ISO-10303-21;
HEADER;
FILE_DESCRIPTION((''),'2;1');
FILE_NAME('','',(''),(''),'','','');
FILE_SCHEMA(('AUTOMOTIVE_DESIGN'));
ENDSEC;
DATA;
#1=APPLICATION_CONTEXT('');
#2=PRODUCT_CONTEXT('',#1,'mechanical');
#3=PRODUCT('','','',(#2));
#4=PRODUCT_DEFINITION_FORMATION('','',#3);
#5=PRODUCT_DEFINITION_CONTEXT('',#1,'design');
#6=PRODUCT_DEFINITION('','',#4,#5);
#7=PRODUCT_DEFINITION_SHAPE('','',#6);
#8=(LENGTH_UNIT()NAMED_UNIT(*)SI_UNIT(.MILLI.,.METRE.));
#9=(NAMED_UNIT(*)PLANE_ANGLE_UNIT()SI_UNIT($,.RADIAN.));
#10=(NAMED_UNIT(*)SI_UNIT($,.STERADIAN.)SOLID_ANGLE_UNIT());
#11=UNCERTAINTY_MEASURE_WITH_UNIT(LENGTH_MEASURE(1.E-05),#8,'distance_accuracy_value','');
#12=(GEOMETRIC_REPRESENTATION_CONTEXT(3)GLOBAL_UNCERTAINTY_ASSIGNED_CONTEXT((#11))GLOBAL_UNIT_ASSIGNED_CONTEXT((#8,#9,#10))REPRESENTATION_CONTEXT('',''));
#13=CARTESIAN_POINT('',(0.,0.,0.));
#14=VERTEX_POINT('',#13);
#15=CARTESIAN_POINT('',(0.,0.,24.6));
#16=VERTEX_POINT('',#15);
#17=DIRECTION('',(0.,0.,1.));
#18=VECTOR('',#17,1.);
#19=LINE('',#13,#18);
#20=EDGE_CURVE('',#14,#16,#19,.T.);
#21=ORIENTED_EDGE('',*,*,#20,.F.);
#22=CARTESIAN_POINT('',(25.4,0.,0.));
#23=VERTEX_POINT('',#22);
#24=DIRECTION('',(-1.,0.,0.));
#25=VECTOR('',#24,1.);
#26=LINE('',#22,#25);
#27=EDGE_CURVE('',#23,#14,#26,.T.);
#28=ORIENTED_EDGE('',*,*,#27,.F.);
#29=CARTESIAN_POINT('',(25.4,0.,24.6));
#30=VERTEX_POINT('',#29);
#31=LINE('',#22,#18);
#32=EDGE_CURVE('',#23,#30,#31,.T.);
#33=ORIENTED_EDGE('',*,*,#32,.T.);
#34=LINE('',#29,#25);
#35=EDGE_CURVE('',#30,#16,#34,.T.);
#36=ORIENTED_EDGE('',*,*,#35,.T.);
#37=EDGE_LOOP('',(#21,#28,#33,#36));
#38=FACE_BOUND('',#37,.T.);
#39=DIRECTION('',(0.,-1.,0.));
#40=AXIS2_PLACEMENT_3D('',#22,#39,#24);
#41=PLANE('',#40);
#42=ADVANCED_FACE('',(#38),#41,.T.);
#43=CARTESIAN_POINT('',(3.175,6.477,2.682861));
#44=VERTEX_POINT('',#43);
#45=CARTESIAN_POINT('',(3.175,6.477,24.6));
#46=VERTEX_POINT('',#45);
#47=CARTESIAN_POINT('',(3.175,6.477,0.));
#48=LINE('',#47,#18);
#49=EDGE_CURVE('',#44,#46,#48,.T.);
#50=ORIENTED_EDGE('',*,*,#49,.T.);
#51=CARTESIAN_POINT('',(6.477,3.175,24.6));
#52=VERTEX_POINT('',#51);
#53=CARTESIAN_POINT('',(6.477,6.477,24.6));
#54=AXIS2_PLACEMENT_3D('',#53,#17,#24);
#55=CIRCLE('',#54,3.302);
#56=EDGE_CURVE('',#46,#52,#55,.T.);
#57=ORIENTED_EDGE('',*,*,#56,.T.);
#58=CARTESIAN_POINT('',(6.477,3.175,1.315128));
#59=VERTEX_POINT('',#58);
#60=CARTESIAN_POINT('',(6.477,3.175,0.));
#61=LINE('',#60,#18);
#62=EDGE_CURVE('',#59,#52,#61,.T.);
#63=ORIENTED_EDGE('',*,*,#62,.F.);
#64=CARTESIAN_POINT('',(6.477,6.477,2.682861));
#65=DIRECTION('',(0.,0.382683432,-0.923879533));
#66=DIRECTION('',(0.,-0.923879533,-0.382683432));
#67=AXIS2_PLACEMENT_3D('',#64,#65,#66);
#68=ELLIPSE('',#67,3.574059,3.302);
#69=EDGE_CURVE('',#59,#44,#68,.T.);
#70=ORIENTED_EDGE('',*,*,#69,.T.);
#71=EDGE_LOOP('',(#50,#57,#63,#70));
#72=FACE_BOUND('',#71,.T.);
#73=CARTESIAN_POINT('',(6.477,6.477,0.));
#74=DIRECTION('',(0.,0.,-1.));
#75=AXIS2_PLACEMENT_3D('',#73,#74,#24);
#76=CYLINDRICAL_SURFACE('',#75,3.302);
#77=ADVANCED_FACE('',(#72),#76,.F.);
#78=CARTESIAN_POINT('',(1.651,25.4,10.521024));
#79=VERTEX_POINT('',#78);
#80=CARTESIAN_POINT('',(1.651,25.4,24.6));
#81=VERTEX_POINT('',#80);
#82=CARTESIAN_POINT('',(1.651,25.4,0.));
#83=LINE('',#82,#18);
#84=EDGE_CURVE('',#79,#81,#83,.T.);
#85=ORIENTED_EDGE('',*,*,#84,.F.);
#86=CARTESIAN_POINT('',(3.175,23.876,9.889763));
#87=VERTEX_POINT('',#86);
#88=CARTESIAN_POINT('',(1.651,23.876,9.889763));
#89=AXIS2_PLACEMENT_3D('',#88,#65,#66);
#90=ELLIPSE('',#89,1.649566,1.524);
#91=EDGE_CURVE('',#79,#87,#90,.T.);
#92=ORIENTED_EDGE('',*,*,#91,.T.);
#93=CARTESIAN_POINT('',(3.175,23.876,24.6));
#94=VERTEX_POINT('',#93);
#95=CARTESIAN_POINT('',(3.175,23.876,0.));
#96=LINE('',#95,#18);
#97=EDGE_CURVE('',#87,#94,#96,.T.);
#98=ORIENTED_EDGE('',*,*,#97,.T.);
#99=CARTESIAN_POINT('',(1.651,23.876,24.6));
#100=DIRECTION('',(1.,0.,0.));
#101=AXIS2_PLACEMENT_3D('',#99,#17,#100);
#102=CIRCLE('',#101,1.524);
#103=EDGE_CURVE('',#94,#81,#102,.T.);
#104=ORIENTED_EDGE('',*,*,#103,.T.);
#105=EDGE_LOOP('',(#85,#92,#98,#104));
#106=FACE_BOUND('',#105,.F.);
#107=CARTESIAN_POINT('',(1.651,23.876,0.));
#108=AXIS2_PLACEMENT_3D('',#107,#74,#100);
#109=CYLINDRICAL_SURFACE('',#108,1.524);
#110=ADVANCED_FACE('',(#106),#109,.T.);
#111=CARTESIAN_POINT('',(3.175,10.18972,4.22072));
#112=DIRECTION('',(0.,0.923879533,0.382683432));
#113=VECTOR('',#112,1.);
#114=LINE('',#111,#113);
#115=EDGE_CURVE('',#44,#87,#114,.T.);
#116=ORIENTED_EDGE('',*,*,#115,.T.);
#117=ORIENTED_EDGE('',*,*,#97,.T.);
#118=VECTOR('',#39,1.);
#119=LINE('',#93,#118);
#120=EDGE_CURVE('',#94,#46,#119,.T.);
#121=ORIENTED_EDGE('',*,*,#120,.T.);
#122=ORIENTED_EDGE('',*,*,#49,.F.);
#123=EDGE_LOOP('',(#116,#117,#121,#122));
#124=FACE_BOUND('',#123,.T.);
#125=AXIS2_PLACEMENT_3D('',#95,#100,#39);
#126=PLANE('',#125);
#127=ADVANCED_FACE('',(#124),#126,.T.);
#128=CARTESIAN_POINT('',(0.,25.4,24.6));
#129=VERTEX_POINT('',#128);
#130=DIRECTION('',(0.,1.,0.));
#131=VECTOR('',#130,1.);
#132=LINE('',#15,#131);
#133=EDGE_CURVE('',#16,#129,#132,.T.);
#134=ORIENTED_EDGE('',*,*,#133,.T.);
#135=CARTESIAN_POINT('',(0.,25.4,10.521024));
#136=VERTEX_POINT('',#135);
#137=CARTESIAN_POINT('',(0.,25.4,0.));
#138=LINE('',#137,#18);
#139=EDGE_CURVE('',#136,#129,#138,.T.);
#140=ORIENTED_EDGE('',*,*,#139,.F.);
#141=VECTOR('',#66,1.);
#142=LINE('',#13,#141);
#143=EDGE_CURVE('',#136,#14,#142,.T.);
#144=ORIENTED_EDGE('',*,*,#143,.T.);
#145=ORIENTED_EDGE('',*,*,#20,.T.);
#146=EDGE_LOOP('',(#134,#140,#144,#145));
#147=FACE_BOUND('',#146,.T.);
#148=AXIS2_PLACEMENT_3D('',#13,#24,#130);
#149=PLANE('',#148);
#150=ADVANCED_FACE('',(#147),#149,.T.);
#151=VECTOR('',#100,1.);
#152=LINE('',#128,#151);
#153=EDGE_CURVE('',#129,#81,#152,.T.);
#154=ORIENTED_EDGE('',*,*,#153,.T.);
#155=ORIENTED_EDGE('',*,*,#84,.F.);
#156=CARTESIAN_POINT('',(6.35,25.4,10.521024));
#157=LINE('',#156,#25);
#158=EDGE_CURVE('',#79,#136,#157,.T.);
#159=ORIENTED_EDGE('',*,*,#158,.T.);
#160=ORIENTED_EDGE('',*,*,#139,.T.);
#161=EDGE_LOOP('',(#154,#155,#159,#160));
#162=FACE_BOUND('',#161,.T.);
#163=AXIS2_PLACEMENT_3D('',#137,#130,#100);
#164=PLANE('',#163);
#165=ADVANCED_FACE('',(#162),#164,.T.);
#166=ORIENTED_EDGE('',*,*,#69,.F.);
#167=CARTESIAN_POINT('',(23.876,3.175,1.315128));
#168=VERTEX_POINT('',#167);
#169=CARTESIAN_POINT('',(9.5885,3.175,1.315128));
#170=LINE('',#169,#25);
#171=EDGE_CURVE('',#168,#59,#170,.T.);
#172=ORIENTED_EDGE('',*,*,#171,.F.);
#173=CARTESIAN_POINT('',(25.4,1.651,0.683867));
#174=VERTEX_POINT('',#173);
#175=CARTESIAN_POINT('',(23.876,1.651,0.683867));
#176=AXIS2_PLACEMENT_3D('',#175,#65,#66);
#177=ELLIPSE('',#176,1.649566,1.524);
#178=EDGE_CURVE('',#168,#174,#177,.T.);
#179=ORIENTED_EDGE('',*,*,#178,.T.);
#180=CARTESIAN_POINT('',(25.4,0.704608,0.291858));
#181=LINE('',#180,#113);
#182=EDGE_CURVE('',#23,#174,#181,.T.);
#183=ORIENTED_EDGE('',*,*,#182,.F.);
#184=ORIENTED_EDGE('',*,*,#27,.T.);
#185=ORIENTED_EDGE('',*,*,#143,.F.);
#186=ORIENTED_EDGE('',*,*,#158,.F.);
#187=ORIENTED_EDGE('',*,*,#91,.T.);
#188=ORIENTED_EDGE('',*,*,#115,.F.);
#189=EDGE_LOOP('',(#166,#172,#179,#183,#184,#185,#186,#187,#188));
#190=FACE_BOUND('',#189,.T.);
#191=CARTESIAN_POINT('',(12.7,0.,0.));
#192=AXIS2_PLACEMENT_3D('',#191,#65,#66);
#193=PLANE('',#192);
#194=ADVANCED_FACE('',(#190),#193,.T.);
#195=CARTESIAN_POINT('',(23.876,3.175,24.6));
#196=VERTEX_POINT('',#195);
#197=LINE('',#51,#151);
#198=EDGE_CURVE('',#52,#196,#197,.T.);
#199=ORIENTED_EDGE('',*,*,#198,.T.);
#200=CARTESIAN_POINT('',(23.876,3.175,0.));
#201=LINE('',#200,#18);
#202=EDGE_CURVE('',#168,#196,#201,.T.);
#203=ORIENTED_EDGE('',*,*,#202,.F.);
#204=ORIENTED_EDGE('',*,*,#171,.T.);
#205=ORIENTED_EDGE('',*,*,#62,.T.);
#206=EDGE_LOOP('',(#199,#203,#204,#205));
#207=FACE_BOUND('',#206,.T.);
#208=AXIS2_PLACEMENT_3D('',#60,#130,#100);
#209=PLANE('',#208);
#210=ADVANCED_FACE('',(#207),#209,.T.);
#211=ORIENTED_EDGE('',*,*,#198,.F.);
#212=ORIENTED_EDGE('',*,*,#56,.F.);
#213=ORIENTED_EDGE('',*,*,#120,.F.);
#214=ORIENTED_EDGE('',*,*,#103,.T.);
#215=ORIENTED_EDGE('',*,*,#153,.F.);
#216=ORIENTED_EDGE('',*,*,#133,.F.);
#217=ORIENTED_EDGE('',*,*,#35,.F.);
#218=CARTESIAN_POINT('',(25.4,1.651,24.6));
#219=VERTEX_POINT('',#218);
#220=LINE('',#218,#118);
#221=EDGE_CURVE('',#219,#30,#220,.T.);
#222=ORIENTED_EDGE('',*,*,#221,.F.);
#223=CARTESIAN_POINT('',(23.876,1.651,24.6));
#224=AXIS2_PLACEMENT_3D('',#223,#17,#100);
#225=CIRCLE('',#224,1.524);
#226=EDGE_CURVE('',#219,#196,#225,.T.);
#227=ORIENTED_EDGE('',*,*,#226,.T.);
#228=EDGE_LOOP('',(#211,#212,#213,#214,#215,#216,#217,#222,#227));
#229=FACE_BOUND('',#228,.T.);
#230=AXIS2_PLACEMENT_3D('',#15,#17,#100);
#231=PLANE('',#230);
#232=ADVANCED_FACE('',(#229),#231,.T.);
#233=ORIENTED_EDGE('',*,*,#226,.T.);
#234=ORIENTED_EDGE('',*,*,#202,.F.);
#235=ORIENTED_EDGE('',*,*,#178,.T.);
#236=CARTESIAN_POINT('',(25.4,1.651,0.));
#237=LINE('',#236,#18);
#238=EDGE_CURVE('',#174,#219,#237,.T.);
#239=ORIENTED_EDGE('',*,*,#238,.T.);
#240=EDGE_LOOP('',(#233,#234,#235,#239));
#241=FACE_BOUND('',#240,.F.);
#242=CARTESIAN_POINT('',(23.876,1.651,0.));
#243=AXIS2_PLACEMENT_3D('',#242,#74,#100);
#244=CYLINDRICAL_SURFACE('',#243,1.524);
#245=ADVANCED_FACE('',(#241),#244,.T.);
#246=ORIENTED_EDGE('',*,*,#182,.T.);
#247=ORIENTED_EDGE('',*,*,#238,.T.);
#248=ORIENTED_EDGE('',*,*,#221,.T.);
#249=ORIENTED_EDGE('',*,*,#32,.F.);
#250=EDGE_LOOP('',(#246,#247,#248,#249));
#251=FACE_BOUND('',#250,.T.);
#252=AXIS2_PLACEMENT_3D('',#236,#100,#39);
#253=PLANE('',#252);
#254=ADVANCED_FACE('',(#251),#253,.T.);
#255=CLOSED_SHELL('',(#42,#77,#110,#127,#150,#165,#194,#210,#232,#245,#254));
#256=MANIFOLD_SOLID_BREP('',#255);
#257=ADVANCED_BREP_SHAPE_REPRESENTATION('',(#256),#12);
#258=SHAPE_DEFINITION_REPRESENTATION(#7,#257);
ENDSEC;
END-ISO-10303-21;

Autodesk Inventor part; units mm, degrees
ref_plane "Start Plane" through (0, 0, 0) normal (0, 0, 1) x (1, 0, 0)
ref_plane "End Plane" through (0, 0, 24.6) normal (0, 0, 1) x (1, 0, 0)
sketch "Sketch" plane through (0, 0, 0) normal (0, 0, 1) x (1, 0, 0)
  line L0 (25.4, 0) -> (0, 0)
  line L1 (0, 0) -> (0, 25.4)
  line L2 (0, 25.4) -> (1.651, 25.4)
  line L3 (3.175, 23.876) -> (3.175, 6.477)
  line L4 (6.477, 3.175) -> (23.876, 3.175)
  line L5 (25.4, 1.651) -> (25.4, 0)
  line L6 (0, -11.0414) -> (0, 31.5385) construction
  line L7 (-11.0414, 0) -> (31.5385, 0) construction
  arc A0 (3.175, 6.477) -> (6.477, 3.175) centre (6.477, 6.477) ccw
  arc A1 (3.175, 23.876) -> (1.651, 25.4) centre (1.651, 23.876) ccw
  arc A2 (25.4, 1.651) -> (23.876, 3.175) centre (23.876, 1.651) ccw
  line L8 (0, 40.0545) -> (0, -19.5574) construction
  line L9 (-19.5574, 0) -> (40.0545, 0) construction
  point P0 (3.175, 25.4)
  point P1 (3.175, 3.175)
  point P2 (25.4, 3.175)
  dimension "d0" = 25.4
  dimension "d1" = 25.4
  dimension "d2" = 3.175
  dimension "d3" = 3.175
  dimension "d10" = 0
  dimension "d11" = 0
  dimension "d14" = 3.302
  dimension "d15" = 1.524
extrude "Body" add sketch "Sketch" along normal up to surface (24.6 mm away) from surface at 0
sketch "Sketch3" plane through (0, 0, 0) normal (0, 0, 1) x (1, 0, 0)
  line L0 (0, 0) -> (10, 0)
ref_plane "Work Plane3" through (0, 0, 0) normal (0, -1, 0) x (1, 0, 0)
ref_plane "Work Plane4" through (12.7, 0, 0) normal (0, 0.3827, -0.9239) x (1, 0, 0)
split "Split1" plane through (12.7, 0, 0) removes the side toward (0, 0.3827, -0.9239)
ref_plane "Work Plane5" through (-100, 1.651, 24.6) normal (0, 0, 1) x (1, 0, 0)
split "Split2" plane through (-100, 1.651, 24.6) removes the side toward (0, 0, 1)
sketch "Sketch4" plane through (0, 0, 0) normal (0, -1, 0) x (1, 0, 0)
  line L0 (-2, 0) -> (12, 0) projected
  line L1 (-2, 24.6) -> (12, 24.6) projected
  dimension "d17" = 24.6
equation "\"d0\" = G_H"
equation "\"d1\" = G_H"
equation "\"d2\" = G_T"
equation "\"d3\" = G_T"
equation "\"d14\" = G_IR"
equation "\"d15\" = G_ER"
equation "\"d4\" = G_L"
equation "\"G_H\" = 25.4"
equation "\"G_T\" = 3.175"
equation "\"G_ER\" = 1.524"
equation "\"G_IR\" = 3.302"
equation "\"G_L\" = d17"
equation "\"ex\" = 0"
equation "\"G_OFFSET_START\" = 0"
equation "\"G_OFFSET_END\" = -25.4"
equation "\"d13\" = G_OFFSET_END + B_L"
equation "\"B_L\" = 50"
properties part number "AISC - L 1 x 1 x 1/8 - 0.969" material "Steel, Mild"
